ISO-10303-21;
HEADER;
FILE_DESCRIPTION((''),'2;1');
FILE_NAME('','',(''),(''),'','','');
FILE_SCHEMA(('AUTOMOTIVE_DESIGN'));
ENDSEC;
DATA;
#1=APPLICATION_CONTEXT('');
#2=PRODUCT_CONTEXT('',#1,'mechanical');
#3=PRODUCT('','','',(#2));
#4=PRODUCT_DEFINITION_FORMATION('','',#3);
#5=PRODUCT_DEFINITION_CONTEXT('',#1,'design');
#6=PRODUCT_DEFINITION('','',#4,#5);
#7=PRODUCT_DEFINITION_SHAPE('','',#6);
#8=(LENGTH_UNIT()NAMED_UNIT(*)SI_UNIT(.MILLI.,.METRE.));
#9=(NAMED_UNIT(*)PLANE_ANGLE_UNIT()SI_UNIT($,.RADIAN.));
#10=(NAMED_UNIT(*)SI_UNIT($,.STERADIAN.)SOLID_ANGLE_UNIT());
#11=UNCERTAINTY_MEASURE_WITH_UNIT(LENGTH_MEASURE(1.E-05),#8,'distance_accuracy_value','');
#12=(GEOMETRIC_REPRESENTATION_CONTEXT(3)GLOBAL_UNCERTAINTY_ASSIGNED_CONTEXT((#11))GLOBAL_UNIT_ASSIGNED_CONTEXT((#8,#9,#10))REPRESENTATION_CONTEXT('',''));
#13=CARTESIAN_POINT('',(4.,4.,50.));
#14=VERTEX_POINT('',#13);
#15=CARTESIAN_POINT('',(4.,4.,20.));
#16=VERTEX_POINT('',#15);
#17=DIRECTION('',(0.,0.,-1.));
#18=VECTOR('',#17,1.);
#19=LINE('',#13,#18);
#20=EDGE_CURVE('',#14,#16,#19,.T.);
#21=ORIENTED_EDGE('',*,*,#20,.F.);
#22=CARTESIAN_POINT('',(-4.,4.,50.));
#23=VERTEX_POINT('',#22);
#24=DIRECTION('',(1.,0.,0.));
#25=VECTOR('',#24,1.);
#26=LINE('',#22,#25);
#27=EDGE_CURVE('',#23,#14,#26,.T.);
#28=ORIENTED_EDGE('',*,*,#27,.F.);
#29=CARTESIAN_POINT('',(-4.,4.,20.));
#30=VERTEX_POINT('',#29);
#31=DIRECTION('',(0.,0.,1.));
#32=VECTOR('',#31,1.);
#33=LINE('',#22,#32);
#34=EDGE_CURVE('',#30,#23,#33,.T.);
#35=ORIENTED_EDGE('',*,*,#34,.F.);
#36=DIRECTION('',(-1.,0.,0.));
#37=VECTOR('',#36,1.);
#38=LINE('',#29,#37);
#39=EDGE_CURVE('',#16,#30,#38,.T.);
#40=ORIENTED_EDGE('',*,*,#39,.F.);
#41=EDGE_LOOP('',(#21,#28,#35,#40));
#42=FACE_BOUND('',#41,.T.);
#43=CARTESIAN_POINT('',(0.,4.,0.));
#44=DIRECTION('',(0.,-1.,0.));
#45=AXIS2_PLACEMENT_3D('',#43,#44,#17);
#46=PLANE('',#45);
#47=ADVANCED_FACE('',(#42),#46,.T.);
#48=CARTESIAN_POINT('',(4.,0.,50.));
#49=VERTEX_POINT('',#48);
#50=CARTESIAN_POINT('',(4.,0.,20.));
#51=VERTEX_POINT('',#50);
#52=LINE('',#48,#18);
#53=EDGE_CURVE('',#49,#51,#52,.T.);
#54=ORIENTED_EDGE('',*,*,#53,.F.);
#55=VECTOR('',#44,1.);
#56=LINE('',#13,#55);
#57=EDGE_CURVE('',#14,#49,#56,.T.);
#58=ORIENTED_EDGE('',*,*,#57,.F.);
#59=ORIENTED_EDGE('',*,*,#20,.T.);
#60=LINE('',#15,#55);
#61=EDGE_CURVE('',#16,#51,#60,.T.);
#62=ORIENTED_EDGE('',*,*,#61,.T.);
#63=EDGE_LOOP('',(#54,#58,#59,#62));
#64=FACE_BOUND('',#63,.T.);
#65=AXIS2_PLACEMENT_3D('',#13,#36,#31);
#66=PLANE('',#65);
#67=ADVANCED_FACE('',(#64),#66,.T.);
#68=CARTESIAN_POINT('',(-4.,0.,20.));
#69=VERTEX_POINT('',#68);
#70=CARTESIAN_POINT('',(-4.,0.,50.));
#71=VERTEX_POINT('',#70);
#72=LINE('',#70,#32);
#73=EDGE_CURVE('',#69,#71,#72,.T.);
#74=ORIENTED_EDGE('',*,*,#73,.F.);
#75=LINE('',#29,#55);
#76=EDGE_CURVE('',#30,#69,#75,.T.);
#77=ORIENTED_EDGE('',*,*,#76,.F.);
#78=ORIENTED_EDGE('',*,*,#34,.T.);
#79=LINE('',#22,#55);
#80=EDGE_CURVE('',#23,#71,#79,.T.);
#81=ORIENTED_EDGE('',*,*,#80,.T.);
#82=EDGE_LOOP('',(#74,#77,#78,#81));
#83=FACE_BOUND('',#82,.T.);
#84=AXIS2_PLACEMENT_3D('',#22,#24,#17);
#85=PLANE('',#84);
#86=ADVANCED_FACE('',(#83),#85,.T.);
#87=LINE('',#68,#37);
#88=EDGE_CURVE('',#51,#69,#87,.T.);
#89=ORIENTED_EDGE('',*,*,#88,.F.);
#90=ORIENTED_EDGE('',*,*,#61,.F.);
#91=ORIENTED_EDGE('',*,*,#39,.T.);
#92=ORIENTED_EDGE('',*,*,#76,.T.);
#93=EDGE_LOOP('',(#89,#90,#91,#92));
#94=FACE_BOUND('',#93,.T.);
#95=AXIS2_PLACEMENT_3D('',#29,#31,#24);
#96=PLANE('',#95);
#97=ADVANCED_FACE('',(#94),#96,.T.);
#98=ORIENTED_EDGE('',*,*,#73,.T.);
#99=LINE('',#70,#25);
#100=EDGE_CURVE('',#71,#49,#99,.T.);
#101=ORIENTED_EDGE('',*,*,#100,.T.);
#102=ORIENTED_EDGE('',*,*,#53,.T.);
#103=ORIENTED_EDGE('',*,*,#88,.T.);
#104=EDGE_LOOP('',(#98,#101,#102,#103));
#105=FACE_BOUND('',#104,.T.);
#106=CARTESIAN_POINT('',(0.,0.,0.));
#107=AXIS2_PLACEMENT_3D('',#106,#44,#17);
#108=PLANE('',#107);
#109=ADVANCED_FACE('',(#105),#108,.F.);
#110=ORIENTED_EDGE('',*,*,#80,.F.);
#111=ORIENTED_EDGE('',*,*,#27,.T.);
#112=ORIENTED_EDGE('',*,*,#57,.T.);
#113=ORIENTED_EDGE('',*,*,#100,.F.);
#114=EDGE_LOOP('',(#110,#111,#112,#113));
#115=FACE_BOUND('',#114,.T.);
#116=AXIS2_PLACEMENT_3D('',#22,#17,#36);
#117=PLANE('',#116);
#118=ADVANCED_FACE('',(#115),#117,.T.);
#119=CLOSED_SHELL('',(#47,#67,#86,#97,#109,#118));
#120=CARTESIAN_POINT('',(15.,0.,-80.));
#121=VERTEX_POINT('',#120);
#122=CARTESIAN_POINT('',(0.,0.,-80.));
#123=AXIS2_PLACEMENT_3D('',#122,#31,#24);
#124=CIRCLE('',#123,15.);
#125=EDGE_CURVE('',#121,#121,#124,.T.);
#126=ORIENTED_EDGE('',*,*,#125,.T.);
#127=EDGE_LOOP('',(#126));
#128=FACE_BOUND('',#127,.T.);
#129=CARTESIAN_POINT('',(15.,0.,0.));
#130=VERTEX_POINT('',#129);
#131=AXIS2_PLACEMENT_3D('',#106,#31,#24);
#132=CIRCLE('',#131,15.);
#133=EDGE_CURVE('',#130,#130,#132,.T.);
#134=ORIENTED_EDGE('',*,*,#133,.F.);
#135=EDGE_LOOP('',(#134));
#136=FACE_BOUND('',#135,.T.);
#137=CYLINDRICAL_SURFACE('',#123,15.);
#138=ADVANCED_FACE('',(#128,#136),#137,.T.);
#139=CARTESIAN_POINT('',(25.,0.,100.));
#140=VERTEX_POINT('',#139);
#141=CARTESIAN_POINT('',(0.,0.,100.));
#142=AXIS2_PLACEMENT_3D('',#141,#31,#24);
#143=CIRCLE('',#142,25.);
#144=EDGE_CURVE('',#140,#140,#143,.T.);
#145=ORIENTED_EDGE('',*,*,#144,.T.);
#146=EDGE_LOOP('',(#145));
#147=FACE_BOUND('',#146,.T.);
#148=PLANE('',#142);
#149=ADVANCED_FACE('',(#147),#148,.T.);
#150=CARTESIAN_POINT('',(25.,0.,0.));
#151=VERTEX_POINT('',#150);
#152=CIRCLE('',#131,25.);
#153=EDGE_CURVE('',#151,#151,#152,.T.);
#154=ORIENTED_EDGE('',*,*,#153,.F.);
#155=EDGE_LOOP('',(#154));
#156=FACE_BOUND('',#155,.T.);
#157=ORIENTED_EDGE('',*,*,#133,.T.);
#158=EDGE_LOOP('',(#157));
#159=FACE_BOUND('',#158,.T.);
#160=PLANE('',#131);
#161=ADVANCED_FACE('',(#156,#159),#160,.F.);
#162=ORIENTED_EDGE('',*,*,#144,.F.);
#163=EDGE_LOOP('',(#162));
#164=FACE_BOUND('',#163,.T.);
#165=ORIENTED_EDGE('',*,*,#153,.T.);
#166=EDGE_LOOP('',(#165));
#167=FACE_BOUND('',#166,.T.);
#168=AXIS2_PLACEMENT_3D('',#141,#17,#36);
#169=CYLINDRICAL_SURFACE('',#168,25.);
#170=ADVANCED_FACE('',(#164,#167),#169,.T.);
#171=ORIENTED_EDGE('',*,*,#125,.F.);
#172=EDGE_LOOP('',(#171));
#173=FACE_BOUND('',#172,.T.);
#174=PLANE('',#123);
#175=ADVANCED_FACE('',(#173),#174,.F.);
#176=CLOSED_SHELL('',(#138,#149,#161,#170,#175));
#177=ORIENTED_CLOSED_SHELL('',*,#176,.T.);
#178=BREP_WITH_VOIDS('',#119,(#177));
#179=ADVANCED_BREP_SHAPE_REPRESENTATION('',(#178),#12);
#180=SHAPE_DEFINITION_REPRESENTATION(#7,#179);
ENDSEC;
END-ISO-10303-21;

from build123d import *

# Parameters (mm, degrees)
SKETCH_1_R          = 25
EXTRUDE_1_DEPTH     = 100
SKETCH_2_R          = 15
EXTRUDE_2_DEPTH     = 80
SKETCH_3_W          = 8
SKETCH_3_H          = 30
CUT_EXTRUDE_1_DEPTH = 4


with BuildPart() as part:
    # 草图1 → 凸台-拉伸1 (new body)
    with BuildSketch(Plane.XY):
        Circle(SKETCH_1_R)
    extrude(amount=EXTRUDE_1_DEPTH)

    # 草图2 → 凸台-拉伸2 (add)
    with BuildSketch(Plane.XY):
        Circle(SKETCH_2_R)
    extrude(amount=-EXTRUDE_2_DEPTH)

    # 草图3 → 切除-拉伸1 (cut)
    with BuildSketch(Plane(origin=(0, 0, 0), x_dir=(1, 0, 0), z_dir=(0, 1, 0))):
        with Locations((0, -35)):
            Rectangle(SKETCH_3_W, SKETCH_3_H)
    extrude(amount=CUT_EXTRUDE_1_DEPTH, mode=Mode.SUBTRACT)


solid = part.part
